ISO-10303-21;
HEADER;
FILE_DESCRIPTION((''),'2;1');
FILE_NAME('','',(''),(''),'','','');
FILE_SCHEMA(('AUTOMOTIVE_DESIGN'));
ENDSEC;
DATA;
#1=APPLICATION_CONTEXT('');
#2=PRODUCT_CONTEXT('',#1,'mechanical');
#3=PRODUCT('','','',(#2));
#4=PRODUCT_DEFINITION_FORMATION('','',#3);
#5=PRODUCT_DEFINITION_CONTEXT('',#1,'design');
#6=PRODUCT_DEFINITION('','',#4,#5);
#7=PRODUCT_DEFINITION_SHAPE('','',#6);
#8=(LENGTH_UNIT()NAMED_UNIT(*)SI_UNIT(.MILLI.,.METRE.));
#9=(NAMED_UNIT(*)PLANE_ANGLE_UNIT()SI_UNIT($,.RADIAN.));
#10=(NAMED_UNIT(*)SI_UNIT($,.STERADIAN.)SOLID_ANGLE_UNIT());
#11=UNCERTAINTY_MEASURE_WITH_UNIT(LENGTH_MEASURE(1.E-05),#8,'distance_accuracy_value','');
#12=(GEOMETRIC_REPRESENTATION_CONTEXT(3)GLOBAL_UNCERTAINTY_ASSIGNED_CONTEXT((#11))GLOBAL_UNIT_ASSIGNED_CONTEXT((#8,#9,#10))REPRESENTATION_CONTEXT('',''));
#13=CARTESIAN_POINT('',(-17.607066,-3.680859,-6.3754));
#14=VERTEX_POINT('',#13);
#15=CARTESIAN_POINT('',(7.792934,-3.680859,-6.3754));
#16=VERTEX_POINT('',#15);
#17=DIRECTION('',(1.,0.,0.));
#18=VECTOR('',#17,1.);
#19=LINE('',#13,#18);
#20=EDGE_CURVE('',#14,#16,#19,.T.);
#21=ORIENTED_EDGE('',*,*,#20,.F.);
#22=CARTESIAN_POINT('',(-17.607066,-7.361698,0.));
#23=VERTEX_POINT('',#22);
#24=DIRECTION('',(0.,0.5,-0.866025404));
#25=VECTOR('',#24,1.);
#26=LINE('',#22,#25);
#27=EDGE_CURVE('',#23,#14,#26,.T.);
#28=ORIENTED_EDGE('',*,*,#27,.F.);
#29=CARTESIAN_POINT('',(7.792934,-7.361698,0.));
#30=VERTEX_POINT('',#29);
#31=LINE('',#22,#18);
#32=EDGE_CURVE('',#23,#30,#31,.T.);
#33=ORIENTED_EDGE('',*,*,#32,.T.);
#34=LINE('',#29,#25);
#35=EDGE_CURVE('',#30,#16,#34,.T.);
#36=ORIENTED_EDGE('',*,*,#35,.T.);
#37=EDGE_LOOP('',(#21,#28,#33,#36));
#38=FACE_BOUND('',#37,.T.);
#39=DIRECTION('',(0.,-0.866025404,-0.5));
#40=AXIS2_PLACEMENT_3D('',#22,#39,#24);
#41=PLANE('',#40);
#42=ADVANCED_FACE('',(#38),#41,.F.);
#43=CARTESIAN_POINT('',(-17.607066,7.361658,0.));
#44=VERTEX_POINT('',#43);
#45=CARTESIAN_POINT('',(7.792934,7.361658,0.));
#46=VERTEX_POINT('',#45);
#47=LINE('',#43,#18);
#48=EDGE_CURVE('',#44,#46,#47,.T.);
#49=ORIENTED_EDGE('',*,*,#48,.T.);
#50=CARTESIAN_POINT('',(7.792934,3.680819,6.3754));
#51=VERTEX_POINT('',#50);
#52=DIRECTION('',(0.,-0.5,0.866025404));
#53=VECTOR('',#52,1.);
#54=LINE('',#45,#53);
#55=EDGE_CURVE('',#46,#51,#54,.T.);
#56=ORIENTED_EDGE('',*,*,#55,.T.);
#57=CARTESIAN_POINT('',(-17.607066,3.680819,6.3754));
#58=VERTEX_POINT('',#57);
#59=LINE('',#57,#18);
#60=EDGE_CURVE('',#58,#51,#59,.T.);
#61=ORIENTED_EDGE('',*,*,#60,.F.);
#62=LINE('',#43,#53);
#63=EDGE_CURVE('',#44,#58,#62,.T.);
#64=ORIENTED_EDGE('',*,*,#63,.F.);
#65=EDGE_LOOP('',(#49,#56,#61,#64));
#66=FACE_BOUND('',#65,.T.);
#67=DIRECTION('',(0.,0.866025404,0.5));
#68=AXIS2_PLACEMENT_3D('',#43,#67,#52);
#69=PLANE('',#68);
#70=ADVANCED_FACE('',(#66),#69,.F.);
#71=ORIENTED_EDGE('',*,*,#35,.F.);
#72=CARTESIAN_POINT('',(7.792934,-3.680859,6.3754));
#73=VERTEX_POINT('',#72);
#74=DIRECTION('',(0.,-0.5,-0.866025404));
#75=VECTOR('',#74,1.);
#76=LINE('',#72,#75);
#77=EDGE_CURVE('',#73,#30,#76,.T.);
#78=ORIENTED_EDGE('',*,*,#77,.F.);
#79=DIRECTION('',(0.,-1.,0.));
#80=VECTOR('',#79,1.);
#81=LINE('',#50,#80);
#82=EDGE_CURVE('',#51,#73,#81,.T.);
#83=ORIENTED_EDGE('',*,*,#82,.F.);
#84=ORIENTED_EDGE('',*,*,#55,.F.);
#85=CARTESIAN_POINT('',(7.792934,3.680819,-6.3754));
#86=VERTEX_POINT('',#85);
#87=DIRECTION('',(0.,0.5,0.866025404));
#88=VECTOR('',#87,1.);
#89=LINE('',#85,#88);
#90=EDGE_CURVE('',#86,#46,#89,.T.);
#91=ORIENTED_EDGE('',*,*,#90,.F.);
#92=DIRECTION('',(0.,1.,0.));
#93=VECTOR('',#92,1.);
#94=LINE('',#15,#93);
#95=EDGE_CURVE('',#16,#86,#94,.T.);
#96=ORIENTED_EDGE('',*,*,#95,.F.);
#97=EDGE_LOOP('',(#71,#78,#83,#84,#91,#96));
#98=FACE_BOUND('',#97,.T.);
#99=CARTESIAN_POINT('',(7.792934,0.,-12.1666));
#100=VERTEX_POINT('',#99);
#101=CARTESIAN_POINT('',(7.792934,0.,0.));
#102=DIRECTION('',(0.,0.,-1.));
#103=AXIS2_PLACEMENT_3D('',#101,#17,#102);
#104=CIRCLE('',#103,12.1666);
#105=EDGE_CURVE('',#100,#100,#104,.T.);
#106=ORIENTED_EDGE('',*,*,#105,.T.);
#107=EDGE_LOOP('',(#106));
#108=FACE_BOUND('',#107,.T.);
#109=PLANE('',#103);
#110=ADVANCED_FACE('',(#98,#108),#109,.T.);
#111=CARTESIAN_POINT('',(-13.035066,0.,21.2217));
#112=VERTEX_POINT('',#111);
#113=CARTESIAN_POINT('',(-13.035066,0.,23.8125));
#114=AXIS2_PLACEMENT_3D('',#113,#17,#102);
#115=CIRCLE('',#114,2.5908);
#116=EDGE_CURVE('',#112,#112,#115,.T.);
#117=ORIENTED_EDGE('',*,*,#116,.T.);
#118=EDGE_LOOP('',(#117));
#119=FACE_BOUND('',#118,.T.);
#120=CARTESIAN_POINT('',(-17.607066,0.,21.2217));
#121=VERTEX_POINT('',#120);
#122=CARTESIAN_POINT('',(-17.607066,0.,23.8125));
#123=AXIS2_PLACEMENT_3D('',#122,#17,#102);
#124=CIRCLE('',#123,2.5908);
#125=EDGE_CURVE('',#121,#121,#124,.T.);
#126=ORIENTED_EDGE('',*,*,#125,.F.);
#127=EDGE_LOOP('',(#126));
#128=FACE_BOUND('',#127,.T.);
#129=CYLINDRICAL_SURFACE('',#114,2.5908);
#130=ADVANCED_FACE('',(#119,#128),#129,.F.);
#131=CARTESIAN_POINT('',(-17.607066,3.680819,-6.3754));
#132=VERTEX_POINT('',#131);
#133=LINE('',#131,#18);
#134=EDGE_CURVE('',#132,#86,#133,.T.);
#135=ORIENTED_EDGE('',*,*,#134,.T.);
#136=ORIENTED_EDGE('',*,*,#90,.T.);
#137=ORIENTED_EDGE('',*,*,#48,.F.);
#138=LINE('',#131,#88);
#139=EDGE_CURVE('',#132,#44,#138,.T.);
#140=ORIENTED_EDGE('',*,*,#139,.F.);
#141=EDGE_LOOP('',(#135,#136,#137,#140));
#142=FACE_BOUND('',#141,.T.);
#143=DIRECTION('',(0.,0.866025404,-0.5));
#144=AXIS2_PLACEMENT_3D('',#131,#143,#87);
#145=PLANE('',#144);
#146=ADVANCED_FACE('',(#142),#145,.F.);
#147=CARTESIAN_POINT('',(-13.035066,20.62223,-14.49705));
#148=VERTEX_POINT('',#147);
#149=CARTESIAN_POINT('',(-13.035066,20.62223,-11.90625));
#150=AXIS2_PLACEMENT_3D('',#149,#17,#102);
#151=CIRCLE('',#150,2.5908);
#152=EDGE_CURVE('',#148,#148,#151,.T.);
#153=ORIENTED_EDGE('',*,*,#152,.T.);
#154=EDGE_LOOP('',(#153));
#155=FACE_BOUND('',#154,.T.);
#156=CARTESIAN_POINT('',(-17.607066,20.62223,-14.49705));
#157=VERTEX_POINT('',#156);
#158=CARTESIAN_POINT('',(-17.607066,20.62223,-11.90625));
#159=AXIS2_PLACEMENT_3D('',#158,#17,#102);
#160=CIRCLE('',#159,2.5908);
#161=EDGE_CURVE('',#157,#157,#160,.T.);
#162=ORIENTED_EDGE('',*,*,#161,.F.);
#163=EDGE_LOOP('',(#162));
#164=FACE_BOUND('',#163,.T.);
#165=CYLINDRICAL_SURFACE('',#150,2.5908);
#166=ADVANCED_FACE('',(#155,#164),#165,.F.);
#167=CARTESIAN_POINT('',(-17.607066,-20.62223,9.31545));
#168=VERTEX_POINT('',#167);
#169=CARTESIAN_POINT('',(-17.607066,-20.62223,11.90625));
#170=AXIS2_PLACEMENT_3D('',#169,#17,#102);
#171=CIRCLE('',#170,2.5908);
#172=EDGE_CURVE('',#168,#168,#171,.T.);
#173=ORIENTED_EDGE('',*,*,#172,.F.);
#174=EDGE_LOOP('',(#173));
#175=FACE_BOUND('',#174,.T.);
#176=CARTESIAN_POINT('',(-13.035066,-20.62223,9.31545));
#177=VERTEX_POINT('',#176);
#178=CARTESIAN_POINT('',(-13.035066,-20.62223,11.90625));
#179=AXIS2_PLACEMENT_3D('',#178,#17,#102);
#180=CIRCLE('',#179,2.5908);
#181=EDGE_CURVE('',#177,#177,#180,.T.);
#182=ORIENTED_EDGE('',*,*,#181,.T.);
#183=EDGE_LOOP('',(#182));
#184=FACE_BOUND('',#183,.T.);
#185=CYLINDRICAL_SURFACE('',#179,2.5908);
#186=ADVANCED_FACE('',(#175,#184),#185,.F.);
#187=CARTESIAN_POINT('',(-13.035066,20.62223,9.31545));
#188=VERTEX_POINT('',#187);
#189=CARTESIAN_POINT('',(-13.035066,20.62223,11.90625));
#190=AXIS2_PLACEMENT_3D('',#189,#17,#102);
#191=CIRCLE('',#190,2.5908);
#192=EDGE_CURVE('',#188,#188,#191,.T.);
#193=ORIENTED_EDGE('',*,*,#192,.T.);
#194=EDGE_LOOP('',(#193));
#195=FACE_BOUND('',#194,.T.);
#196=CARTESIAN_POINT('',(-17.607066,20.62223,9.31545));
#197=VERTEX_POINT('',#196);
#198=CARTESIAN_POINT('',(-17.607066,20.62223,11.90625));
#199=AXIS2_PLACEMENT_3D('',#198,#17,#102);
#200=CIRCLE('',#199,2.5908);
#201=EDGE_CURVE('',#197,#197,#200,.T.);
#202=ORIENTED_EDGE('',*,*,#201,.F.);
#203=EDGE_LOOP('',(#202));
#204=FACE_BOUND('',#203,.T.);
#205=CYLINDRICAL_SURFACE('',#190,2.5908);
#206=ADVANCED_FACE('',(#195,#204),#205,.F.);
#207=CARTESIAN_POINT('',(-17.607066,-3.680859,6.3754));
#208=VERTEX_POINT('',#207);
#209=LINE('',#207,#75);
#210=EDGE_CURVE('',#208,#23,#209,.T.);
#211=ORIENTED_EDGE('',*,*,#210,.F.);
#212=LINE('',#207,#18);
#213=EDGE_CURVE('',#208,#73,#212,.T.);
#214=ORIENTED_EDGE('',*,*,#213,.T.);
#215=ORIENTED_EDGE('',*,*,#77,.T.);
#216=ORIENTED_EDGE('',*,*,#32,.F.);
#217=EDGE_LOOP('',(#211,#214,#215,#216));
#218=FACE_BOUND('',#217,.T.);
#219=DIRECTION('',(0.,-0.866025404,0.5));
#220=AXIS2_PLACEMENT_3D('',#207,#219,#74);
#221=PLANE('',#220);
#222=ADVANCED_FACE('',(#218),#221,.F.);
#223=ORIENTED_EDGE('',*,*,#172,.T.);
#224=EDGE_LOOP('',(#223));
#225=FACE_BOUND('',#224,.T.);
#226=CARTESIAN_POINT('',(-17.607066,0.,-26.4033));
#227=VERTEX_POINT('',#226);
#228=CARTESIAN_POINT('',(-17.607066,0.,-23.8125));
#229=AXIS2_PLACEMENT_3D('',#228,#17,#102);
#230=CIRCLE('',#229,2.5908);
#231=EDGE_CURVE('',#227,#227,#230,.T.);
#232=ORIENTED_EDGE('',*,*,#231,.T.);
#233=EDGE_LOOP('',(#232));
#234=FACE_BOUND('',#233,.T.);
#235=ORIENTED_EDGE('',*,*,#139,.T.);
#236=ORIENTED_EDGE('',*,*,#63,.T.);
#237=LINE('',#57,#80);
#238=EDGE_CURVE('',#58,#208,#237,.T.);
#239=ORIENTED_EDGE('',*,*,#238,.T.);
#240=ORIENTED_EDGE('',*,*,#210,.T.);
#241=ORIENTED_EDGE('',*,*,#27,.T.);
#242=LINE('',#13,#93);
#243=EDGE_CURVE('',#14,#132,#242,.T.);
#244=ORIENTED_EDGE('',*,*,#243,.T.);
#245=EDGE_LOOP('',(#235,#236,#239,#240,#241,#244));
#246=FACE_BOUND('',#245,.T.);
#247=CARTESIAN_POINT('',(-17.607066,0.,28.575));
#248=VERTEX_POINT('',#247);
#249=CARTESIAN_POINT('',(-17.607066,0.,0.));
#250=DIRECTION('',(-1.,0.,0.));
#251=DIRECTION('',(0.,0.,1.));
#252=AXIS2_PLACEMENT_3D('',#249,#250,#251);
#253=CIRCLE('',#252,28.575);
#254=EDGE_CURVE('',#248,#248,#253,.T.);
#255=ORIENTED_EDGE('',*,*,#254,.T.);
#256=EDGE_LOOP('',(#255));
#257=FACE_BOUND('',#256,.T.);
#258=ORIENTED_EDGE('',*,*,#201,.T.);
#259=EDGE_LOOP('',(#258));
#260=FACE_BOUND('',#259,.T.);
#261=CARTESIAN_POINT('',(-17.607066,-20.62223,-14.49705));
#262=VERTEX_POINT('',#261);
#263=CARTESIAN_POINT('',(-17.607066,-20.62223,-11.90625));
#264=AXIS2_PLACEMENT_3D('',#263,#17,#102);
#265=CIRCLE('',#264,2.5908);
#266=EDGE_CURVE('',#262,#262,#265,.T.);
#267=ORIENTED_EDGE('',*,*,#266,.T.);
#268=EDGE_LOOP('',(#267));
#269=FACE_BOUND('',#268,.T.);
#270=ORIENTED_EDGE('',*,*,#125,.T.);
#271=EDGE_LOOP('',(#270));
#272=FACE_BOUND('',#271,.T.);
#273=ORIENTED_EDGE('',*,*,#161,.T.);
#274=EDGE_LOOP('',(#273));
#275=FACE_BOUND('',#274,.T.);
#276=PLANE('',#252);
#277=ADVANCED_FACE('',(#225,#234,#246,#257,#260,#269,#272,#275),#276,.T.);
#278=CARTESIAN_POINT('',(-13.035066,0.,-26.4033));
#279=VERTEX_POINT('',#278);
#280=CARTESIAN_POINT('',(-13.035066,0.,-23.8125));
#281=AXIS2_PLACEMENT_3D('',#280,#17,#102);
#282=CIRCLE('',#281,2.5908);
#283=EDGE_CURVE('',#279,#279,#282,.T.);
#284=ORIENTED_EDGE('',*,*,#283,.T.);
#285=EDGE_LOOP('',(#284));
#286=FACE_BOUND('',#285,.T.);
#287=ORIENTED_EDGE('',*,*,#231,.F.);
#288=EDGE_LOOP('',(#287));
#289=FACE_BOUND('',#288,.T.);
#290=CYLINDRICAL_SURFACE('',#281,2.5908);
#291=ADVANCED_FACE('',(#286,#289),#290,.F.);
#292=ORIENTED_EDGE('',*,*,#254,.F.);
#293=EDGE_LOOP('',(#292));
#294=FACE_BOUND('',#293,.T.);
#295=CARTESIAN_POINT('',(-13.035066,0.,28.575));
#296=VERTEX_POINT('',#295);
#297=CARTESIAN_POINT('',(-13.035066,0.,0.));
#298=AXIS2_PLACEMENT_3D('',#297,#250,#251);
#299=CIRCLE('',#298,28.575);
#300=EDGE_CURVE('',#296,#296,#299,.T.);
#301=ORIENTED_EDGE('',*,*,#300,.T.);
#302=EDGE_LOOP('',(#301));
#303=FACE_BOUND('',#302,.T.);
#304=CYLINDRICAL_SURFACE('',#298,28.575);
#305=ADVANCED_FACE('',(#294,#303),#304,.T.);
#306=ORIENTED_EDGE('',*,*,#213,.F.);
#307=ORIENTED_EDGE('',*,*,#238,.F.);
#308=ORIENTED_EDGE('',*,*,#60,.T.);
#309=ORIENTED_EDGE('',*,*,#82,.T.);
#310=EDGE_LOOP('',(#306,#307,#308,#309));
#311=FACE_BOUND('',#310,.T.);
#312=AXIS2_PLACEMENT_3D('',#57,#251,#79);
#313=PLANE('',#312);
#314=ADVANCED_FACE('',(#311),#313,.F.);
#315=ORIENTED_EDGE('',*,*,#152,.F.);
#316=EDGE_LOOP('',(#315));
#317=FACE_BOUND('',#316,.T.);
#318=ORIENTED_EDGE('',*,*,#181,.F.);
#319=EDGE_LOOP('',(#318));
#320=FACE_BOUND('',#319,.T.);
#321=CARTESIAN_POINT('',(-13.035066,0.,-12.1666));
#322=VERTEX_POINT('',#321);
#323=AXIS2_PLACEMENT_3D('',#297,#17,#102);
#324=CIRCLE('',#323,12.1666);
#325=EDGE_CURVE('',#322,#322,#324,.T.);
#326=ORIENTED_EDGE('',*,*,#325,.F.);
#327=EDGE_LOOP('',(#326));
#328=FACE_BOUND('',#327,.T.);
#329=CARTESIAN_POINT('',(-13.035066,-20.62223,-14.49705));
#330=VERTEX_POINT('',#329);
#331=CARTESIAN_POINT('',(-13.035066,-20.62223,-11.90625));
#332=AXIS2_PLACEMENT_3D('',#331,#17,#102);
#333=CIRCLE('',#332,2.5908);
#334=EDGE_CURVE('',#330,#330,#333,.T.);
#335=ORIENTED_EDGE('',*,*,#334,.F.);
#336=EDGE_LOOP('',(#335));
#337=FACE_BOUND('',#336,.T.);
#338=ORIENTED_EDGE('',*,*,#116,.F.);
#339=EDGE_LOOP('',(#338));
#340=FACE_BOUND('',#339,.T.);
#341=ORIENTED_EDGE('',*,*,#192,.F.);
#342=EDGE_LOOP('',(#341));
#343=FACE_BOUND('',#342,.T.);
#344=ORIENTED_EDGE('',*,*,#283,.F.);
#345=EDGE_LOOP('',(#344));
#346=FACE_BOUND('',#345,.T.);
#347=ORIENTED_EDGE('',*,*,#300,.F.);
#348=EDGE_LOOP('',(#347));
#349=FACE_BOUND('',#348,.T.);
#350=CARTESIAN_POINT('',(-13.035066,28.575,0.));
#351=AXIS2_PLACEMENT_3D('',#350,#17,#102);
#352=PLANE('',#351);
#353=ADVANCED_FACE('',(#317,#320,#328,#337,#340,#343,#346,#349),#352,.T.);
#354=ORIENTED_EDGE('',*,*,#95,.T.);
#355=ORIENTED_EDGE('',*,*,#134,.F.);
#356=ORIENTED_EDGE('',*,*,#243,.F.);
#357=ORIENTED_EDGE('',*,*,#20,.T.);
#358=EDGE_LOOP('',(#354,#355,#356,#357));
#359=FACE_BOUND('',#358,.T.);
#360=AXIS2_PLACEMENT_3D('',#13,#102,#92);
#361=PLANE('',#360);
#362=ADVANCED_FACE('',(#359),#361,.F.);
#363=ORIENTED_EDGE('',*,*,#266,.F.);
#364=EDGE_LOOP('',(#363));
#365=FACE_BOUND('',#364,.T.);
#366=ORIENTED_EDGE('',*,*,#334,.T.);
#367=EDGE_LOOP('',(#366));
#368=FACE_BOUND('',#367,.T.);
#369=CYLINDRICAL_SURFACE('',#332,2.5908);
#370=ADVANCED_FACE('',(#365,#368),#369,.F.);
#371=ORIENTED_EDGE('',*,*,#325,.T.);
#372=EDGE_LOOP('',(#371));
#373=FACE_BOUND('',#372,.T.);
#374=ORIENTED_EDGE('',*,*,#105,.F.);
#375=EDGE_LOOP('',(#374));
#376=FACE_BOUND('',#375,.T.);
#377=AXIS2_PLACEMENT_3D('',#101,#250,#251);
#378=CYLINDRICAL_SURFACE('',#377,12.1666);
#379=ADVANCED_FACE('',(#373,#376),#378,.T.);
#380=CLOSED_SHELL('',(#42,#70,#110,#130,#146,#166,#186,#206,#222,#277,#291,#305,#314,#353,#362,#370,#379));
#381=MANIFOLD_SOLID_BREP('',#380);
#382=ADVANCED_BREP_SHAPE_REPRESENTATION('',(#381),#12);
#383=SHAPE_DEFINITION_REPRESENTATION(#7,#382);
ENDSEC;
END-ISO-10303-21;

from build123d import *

# Parameters (mm, degrees)
SKETCH1_W           = 4.572
SKETCH1_H           = 28.575
SKETCH2_R           = 12.1666
BOSS_EXTRUDE1_DEPTH = 20.828
CUT_EXTRUDE1_DEPTH  = 26.4
HOLE1_D             = 5.1816
HOLE1_DEPTH         = 4.572
CIRPATTERN1_COUNT   = 6


with BuildPart() as part:
    # Sketch1 → Revolve1 (revolve)
    with BuildSketch(Plane(origin=(0, 0, 0), x_dir=(-1, 0, 0), z_dir=(0, 0, -1))):
        with Locations((15.321066246, 14.2875)):
            Rectangle(SKETCH1_W, SKETCH1_H)
    revolve(axis=Axis((-13.035066246, 0, 0), (-1, 0, 0)))

    # Sketch2 → Boss-Extrude1 (add)
    with BuildSketch(Plane(origin=(-13.035066246, 0, 0), x_dir=(0, 0, -1), z_dir=(1, 0, 0))):
        Circle(SKETCH2_R)
    extrude(amount=BOSS_EXTRUDE1_DEPTH)

    # Sketch3 → Cut-Extrude1 (cut, through all)
    with BuildSketch(Plane(origin=(7.792933754, 0, 0), x_dir=(0, 0, -1), z_dir=(1, 0, 0))):
        Polygon((0, -7.361697812), (6.3754, -3.680858906), (6.3754, 3.680818906), (0, 7.361657812), (-6.3754, 3.680818906), (-6.3754, -3.680858906), align=None)
    extrude(amount=-CUT_EXTRUDE1_DEPTH, mode=Mode.SUBTRACT)

    # Hole1
    with Locations(Plane(origin=(-13.035066246, 0, 0), x_dir=(0, 0, -1), z_dir=(1, 0, 0))):
        with Locations((-23.8125, 0)):
            hole1 = Hole(HOLE1_D / 2, depth=HOLE1_DEPTH)

    # CirPattern1: Hole1 ×6 about axis
    cirpattern1_axis = Axis((0, 0, 0), (1, 0, 0))
    for i in range(1, CIRPATTERN1_COUNT):
        add(hole1.rotate(cirpattern1_axis, i * 360 / CIRPATTERN1_COUNT), mode=Mode.SUBTRACT)


solid = part.part
